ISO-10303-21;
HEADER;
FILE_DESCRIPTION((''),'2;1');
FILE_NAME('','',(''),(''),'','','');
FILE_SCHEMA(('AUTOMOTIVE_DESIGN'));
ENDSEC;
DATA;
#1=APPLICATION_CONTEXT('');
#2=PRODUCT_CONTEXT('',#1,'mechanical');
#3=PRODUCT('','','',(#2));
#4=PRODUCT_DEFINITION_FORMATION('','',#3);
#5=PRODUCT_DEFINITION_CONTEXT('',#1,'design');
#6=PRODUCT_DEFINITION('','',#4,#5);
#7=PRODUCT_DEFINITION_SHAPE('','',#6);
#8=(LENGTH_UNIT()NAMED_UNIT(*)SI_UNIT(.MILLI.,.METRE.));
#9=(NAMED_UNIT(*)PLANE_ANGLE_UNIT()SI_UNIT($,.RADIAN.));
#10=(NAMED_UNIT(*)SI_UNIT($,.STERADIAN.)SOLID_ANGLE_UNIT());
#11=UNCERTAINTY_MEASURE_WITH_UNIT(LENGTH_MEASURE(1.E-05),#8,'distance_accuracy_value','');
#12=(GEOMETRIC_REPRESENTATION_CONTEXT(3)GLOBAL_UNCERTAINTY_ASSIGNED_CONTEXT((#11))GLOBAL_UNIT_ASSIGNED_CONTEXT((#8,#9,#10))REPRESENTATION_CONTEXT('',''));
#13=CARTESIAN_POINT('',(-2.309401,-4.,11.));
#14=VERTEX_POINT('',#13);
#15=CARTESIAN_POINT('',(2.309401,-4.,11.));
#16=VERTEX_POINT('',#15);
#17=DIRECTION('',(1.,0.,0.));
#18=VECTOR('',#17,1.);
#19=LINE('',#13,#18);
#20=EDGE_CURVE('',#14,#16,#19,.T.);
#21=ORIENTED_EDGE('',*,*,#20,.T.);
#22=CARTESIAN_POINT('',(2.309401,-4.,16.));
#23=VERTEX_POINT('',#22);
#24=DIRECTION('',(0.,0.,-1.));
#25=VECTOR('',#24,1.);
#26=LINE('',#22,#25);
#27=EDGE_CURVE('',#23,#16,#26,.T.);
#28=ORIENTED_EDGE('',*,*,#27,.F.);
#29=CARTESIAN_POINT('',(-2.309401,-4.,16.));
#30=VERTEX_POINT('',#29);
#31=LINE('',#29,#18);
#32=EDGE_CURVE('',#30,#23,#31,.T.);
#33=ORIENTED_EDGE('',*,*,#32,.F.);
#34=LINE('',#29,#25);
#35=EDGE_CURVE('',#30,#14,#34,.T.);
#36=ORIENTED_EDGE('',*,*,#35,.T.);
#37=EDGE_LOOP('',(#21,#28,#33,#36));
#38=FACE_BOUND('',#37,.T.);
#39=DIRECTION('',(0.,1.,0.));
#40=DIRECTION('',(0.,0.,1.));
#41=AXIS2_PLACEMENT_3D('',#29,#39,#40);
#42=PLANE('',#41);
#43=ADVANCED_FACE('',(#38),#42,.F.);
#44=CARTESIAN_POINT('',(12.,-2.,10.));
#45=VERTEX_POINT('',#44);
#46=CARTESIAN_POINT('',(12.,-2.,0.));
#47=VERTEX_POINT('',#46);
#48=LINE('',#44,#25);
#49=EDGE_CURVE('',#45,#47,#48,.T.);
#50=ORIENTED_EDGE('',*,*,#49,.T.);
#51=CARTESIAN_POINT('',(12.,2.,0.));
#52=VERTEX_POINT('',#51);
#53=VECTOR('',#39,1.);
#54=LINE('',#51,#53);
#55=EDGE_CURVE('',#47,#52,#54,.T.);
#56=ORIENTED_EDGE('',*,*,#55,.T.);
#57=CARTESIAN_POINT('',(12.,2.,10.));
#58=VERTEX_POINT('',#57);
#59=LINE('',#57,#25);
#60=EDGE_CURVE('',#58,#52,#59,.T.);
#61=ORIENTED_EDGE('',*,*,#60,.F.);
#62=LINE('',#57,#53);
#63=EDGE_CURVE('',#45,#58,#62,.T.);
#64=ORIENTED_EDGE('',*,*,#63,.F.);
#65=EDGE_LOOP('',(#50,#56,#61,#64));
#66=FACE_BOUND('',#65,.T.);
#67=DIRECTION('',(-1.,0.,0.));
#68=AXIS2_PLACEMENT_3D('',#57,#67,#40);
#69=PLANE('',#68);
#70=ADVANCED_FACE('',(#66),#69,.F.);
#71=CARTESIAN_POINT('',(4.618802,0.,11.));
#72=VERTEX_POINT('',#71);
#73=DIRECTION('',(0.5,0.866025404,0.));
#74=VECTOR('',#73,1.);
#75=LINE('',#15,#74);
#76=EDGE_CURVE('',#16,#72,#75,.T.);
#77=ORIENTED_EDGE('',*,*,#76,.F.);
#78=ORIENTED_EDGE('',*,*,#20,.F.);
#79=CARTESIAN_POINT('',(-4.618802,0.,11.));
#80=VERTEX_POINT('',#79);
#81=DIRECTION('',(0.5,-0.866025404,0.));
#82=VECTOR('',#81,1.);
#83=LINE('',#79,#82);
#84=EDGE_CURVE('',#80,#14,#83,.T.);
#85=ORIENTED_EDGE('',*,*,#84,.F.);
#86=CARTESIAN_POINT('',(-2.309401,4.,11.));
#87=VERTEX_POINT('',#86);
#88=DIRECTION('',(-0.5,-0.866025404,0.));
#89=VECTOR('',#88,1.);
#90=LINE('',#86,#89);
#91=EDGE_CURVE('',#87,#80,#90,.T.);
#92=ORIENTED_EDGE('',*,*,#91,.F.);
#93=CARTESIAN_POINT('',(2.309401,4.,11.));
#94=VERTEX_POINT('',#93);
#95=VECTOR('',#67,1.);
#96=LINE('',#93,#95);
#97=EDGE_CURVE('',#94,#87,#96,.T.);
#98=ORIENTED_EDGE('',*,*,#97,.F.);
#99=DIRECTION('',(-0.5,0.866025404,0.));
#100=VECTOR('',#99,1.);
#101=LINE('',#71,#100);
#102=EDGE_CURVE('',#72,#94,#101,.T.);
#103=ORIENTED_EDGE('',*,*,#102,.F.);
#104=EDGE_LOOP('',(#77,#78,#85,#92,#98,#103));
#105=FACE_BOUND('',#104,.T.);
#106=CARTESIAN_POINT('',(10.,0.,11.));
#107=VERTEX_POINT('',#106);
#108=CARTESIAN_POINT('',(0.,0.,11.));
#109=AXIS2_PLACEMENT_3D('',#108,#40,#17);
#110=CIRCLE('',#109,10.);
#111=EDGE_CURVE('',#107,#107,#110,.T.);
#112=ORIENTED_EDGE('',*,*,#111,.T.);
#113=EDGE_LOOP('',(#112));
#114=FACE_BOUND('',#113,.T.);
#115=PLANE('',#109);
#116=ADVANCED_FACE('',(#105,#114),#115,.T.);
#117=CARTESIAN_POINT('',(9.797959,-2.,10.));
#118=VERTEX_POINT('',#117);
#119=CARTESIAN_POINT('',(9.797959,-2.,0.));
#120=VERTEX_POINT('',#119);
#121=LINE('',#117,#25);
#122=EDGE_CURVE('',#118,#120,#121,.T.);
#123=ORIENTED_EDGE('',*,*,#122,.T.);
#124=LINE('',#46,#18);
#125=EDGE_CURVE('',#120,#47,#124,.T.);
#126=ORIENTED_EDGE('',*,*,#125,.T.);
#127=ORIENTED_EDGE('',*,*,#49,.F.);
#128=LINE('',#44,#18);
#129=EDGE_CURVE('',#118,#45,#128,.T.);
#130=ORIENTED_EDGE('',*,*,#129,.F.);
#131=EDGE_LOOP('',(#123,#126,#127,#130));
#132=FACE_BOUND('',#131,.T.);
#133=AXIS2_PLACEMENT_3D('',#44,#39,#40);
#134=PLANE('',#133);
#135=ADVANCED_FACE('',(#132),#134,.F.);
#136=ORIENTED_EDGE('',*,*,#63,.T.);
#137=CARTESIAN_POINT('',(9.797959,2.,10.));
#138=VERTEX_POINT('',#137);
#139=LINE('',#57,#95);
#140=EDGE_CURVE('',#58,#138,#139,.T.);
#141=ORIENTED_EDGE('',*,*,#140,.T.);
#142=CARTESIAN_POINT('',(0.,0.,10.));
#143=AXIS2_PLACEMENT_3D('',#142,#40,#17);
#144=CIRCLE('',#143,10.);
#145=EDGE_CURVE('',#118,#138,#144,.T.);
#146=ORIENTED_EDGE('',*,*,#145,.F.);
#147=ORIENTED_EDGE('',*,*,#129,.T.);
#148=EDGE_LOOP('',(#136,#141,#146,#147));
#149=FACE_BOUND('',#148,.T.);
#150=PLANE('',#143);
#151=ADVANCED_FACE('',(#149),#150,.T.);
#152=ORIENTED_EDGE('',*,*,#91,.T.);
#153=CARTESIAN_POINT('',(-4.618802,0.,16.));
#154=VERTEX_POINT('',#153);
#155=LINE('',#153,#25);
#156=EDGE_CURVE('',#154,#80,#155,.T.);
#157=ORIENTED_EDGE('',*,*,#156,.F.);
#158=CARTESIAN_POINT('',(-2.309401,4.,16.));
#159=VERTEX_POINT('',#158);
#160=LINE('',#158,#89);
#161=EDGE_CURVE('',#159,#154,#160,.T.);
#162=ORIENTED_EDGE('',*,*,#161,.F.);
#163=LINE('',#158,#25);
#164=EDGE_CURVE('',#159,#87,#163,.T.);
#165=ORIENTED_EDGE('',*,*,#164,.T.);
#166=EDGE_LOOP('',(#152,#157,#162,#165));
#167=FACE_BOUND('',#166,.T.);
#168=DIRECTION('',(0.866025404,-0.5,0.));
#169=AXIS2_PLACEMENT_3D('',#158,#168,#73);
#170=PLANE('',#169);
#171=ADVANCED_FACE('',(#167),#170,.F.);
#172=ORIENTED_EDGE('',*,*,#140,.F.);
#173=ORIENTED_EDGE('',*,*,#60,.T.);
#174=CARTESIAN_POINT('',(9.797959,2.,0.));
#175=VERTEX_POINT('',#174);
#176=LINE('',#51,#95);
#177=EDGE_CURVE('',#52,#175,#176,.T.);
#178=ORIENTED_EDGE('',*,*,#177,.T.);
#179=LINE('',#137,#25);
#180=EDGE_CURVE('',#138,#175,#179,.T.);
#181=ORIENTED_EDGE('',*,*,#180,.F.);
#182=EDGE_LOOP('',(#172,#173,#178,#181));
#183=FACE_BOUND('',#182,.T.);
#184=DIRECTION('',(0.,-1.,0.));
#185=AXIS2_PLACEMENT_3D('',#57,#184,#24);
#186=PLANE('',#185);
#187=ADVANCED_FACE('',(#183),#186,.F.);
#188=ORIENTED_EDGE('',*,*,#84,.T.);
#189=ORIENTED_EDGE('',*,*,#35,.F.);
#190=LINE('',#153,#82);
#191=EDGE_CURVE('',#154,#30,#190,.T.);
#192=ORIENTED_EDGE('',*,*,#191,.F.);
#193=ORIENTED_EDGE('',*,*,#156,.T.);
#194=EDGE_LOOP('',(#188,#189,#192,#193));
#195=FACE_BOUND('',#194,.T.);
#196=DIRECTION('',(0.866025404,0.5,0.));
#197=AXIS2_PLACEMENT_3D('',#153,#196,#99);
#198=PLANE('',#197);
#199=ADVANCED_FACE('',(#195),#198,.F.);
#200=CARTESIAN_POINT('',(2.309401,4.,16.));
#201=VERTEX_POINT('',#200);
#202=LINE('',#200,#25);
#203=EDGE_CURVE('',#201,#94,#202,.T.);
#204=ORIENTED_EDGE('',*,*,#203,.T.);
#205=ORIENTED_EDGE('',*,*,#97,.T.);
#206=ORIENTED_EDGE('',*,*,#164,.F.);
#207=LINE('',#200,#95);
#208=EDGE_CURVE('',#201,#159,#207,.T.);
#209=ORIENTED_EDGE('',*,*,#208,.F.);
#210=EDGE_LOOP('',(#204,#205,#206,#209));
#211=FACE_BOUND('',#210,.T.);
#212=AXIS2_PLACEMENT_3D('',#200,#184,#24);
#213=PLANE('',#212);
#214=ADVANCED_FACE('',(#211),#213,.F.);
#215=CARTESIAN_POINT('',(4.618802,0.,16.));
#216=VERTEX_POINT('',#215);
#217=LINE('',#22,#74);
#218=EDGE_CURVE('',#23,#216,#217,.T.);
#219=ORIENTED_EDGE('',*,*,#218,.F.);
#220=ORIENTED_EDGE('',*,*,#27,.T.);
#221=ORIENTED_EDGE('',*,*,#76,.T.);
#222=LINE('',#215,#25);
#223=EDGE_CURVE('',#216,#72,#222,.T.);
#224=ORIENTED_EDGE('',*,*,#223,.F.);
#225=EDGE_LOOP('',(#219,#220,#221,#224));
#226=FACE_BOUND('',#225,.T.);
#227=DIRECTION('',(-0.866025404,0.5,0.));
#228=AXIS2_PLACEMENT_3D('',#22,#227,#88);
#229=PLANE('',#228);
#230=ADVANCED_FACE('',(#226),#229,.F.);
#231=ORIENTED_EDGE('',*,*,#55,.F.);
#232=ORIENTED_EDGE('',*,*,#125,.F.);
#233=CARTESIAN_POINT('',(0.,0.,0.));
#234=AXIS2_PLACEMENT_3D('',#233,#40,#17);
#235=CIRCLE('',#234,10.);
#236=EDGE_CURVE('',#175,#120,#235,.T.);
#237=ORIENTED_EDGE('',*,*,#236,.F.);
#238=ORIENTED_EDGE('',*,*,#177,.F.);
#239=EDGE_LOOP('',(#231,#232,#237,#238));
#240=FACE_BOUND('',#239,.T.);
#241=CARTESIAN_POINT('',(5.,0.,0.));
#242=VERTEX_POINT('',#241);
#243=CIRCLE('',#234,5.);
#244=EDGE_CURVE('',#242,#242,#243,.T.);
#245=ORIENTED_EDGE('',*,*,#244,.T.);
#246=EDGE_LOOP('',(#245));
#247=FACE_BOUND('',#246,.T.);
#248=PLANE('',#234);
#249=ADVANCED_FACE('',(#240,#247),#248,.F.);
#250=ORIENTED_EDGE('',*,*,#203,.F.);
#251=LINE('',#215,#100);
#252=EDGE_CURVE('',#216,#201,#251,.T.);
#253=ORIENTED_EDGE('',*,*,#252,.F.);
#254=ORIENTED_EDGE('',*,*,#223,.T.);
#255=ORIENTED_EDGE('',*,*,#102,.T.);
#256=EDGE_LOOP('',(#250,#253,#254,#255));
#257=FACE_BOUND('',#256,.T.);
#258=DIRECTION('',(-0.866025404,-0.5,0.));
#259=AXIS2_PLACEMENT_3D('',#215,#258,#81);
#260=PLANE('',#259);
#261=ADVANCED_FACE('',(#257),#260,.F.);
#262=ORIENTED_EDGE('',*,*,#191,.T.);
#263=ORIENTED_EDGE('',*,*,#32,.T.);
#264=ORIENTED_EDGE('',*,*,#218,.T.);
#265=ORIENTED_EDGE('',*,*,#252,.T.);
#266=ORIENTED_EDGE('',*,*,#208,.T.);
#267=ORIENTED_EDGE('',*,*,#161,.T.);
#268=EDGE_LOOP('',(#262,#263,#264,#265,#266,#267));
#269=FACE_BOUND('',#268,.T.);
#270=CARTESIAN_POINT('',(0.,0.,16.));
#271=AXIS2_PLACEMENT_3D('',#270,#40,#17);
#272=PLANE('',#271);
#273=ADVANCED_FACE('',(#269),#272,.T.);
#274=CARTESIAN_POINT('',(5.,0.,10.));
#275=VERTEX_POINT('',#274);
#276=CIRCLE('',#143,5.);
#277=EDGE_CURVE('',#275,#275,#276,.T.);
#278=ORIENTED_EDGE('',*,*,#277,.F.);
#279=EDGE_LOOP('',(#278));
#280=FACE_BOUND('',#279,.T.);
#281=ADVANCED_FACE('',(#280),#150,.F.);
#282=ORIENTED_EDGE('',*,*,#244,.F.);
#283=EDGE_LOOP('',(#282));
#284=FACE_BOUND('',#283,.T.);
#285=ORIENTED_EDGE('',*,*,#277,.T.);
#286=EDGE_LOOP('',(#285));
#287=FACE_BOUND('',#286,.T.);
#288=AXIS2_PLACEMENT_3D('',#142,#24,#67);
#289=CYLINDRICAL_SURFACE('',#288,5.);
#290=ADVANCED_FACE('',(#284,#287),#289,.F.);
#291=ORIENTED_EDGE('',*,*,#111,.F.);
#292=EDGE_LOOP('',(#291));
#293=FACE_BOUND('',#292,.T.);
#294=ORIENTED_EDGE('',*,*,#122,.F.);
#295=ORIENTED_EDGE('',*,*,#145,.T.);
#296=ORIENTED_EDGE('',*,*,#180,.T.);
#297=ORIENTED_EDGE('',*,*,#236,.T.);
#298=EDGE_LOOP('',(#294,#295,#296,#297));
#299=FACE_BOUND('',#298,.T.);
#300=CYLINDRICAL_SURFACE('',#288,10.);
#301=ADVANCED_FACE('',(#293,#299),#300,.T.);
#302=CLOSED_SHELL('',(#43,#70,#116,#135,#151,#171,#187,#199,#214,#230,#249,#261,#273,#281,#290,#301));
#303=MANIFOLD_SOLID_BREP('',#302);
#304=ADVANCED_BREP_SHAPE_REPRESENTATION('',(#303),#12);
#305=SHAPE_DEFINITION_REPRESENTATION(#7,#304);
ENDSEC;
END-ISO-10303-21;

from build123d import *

# Parameters (mm, degrees)
SKETCH1_R           = 5
BOSS_EXTRUDE1_DEPTH = 10
SKETCH2_R           = 10
BOSS_EXTRUDE2_DEPTH = 1
BOSS_EXTRUDE3_DEPTH = 5


with BuildPart() as part:
    # Sketch1 → Boss-Extrude1 (new body)
    with BuildSketch(Plane.XY):
        with BuildLine():
            Line((12, 2), (12, -2))
            Line((12, -2), (9.797958971, -2))
            ThreePointArc((9.797958971, -2), (-10, 0), (9.797958971, 2))
            Line((9.797958971, 2), (12, 2))
        make_face()
        Circle(SKETCH1_R, mode=Mode.SUBTRACT)
    extrude(amount=BOSS_EXTRUDE1_DEPTH)

    # Sketch2 → Boss-Extrude2 (add)
    with BuildSketch(Plane.XY.offset(10)):
        with Locations(Location((0, 0, 0), (0, 0, 348.463040967))):
            Circle(SKETCH2_R)
    extrude(amount=BOSS_EXTRUDE2_DEPTH)

    # Sketch3 → Boss-Extrude3 (add)
    with BuildSketch(Plane.XY.offset(11)):
        Polygon((4.618802154, 0), (2.309401077, 4), (-2.309401077, 4), (-4.618802154, 0), (-2.309401077, -4), (2.309401077, -4), align=None)
    extrude(amount=BOSS_EXTRUDE3_DEPTH)


solid = part.part
